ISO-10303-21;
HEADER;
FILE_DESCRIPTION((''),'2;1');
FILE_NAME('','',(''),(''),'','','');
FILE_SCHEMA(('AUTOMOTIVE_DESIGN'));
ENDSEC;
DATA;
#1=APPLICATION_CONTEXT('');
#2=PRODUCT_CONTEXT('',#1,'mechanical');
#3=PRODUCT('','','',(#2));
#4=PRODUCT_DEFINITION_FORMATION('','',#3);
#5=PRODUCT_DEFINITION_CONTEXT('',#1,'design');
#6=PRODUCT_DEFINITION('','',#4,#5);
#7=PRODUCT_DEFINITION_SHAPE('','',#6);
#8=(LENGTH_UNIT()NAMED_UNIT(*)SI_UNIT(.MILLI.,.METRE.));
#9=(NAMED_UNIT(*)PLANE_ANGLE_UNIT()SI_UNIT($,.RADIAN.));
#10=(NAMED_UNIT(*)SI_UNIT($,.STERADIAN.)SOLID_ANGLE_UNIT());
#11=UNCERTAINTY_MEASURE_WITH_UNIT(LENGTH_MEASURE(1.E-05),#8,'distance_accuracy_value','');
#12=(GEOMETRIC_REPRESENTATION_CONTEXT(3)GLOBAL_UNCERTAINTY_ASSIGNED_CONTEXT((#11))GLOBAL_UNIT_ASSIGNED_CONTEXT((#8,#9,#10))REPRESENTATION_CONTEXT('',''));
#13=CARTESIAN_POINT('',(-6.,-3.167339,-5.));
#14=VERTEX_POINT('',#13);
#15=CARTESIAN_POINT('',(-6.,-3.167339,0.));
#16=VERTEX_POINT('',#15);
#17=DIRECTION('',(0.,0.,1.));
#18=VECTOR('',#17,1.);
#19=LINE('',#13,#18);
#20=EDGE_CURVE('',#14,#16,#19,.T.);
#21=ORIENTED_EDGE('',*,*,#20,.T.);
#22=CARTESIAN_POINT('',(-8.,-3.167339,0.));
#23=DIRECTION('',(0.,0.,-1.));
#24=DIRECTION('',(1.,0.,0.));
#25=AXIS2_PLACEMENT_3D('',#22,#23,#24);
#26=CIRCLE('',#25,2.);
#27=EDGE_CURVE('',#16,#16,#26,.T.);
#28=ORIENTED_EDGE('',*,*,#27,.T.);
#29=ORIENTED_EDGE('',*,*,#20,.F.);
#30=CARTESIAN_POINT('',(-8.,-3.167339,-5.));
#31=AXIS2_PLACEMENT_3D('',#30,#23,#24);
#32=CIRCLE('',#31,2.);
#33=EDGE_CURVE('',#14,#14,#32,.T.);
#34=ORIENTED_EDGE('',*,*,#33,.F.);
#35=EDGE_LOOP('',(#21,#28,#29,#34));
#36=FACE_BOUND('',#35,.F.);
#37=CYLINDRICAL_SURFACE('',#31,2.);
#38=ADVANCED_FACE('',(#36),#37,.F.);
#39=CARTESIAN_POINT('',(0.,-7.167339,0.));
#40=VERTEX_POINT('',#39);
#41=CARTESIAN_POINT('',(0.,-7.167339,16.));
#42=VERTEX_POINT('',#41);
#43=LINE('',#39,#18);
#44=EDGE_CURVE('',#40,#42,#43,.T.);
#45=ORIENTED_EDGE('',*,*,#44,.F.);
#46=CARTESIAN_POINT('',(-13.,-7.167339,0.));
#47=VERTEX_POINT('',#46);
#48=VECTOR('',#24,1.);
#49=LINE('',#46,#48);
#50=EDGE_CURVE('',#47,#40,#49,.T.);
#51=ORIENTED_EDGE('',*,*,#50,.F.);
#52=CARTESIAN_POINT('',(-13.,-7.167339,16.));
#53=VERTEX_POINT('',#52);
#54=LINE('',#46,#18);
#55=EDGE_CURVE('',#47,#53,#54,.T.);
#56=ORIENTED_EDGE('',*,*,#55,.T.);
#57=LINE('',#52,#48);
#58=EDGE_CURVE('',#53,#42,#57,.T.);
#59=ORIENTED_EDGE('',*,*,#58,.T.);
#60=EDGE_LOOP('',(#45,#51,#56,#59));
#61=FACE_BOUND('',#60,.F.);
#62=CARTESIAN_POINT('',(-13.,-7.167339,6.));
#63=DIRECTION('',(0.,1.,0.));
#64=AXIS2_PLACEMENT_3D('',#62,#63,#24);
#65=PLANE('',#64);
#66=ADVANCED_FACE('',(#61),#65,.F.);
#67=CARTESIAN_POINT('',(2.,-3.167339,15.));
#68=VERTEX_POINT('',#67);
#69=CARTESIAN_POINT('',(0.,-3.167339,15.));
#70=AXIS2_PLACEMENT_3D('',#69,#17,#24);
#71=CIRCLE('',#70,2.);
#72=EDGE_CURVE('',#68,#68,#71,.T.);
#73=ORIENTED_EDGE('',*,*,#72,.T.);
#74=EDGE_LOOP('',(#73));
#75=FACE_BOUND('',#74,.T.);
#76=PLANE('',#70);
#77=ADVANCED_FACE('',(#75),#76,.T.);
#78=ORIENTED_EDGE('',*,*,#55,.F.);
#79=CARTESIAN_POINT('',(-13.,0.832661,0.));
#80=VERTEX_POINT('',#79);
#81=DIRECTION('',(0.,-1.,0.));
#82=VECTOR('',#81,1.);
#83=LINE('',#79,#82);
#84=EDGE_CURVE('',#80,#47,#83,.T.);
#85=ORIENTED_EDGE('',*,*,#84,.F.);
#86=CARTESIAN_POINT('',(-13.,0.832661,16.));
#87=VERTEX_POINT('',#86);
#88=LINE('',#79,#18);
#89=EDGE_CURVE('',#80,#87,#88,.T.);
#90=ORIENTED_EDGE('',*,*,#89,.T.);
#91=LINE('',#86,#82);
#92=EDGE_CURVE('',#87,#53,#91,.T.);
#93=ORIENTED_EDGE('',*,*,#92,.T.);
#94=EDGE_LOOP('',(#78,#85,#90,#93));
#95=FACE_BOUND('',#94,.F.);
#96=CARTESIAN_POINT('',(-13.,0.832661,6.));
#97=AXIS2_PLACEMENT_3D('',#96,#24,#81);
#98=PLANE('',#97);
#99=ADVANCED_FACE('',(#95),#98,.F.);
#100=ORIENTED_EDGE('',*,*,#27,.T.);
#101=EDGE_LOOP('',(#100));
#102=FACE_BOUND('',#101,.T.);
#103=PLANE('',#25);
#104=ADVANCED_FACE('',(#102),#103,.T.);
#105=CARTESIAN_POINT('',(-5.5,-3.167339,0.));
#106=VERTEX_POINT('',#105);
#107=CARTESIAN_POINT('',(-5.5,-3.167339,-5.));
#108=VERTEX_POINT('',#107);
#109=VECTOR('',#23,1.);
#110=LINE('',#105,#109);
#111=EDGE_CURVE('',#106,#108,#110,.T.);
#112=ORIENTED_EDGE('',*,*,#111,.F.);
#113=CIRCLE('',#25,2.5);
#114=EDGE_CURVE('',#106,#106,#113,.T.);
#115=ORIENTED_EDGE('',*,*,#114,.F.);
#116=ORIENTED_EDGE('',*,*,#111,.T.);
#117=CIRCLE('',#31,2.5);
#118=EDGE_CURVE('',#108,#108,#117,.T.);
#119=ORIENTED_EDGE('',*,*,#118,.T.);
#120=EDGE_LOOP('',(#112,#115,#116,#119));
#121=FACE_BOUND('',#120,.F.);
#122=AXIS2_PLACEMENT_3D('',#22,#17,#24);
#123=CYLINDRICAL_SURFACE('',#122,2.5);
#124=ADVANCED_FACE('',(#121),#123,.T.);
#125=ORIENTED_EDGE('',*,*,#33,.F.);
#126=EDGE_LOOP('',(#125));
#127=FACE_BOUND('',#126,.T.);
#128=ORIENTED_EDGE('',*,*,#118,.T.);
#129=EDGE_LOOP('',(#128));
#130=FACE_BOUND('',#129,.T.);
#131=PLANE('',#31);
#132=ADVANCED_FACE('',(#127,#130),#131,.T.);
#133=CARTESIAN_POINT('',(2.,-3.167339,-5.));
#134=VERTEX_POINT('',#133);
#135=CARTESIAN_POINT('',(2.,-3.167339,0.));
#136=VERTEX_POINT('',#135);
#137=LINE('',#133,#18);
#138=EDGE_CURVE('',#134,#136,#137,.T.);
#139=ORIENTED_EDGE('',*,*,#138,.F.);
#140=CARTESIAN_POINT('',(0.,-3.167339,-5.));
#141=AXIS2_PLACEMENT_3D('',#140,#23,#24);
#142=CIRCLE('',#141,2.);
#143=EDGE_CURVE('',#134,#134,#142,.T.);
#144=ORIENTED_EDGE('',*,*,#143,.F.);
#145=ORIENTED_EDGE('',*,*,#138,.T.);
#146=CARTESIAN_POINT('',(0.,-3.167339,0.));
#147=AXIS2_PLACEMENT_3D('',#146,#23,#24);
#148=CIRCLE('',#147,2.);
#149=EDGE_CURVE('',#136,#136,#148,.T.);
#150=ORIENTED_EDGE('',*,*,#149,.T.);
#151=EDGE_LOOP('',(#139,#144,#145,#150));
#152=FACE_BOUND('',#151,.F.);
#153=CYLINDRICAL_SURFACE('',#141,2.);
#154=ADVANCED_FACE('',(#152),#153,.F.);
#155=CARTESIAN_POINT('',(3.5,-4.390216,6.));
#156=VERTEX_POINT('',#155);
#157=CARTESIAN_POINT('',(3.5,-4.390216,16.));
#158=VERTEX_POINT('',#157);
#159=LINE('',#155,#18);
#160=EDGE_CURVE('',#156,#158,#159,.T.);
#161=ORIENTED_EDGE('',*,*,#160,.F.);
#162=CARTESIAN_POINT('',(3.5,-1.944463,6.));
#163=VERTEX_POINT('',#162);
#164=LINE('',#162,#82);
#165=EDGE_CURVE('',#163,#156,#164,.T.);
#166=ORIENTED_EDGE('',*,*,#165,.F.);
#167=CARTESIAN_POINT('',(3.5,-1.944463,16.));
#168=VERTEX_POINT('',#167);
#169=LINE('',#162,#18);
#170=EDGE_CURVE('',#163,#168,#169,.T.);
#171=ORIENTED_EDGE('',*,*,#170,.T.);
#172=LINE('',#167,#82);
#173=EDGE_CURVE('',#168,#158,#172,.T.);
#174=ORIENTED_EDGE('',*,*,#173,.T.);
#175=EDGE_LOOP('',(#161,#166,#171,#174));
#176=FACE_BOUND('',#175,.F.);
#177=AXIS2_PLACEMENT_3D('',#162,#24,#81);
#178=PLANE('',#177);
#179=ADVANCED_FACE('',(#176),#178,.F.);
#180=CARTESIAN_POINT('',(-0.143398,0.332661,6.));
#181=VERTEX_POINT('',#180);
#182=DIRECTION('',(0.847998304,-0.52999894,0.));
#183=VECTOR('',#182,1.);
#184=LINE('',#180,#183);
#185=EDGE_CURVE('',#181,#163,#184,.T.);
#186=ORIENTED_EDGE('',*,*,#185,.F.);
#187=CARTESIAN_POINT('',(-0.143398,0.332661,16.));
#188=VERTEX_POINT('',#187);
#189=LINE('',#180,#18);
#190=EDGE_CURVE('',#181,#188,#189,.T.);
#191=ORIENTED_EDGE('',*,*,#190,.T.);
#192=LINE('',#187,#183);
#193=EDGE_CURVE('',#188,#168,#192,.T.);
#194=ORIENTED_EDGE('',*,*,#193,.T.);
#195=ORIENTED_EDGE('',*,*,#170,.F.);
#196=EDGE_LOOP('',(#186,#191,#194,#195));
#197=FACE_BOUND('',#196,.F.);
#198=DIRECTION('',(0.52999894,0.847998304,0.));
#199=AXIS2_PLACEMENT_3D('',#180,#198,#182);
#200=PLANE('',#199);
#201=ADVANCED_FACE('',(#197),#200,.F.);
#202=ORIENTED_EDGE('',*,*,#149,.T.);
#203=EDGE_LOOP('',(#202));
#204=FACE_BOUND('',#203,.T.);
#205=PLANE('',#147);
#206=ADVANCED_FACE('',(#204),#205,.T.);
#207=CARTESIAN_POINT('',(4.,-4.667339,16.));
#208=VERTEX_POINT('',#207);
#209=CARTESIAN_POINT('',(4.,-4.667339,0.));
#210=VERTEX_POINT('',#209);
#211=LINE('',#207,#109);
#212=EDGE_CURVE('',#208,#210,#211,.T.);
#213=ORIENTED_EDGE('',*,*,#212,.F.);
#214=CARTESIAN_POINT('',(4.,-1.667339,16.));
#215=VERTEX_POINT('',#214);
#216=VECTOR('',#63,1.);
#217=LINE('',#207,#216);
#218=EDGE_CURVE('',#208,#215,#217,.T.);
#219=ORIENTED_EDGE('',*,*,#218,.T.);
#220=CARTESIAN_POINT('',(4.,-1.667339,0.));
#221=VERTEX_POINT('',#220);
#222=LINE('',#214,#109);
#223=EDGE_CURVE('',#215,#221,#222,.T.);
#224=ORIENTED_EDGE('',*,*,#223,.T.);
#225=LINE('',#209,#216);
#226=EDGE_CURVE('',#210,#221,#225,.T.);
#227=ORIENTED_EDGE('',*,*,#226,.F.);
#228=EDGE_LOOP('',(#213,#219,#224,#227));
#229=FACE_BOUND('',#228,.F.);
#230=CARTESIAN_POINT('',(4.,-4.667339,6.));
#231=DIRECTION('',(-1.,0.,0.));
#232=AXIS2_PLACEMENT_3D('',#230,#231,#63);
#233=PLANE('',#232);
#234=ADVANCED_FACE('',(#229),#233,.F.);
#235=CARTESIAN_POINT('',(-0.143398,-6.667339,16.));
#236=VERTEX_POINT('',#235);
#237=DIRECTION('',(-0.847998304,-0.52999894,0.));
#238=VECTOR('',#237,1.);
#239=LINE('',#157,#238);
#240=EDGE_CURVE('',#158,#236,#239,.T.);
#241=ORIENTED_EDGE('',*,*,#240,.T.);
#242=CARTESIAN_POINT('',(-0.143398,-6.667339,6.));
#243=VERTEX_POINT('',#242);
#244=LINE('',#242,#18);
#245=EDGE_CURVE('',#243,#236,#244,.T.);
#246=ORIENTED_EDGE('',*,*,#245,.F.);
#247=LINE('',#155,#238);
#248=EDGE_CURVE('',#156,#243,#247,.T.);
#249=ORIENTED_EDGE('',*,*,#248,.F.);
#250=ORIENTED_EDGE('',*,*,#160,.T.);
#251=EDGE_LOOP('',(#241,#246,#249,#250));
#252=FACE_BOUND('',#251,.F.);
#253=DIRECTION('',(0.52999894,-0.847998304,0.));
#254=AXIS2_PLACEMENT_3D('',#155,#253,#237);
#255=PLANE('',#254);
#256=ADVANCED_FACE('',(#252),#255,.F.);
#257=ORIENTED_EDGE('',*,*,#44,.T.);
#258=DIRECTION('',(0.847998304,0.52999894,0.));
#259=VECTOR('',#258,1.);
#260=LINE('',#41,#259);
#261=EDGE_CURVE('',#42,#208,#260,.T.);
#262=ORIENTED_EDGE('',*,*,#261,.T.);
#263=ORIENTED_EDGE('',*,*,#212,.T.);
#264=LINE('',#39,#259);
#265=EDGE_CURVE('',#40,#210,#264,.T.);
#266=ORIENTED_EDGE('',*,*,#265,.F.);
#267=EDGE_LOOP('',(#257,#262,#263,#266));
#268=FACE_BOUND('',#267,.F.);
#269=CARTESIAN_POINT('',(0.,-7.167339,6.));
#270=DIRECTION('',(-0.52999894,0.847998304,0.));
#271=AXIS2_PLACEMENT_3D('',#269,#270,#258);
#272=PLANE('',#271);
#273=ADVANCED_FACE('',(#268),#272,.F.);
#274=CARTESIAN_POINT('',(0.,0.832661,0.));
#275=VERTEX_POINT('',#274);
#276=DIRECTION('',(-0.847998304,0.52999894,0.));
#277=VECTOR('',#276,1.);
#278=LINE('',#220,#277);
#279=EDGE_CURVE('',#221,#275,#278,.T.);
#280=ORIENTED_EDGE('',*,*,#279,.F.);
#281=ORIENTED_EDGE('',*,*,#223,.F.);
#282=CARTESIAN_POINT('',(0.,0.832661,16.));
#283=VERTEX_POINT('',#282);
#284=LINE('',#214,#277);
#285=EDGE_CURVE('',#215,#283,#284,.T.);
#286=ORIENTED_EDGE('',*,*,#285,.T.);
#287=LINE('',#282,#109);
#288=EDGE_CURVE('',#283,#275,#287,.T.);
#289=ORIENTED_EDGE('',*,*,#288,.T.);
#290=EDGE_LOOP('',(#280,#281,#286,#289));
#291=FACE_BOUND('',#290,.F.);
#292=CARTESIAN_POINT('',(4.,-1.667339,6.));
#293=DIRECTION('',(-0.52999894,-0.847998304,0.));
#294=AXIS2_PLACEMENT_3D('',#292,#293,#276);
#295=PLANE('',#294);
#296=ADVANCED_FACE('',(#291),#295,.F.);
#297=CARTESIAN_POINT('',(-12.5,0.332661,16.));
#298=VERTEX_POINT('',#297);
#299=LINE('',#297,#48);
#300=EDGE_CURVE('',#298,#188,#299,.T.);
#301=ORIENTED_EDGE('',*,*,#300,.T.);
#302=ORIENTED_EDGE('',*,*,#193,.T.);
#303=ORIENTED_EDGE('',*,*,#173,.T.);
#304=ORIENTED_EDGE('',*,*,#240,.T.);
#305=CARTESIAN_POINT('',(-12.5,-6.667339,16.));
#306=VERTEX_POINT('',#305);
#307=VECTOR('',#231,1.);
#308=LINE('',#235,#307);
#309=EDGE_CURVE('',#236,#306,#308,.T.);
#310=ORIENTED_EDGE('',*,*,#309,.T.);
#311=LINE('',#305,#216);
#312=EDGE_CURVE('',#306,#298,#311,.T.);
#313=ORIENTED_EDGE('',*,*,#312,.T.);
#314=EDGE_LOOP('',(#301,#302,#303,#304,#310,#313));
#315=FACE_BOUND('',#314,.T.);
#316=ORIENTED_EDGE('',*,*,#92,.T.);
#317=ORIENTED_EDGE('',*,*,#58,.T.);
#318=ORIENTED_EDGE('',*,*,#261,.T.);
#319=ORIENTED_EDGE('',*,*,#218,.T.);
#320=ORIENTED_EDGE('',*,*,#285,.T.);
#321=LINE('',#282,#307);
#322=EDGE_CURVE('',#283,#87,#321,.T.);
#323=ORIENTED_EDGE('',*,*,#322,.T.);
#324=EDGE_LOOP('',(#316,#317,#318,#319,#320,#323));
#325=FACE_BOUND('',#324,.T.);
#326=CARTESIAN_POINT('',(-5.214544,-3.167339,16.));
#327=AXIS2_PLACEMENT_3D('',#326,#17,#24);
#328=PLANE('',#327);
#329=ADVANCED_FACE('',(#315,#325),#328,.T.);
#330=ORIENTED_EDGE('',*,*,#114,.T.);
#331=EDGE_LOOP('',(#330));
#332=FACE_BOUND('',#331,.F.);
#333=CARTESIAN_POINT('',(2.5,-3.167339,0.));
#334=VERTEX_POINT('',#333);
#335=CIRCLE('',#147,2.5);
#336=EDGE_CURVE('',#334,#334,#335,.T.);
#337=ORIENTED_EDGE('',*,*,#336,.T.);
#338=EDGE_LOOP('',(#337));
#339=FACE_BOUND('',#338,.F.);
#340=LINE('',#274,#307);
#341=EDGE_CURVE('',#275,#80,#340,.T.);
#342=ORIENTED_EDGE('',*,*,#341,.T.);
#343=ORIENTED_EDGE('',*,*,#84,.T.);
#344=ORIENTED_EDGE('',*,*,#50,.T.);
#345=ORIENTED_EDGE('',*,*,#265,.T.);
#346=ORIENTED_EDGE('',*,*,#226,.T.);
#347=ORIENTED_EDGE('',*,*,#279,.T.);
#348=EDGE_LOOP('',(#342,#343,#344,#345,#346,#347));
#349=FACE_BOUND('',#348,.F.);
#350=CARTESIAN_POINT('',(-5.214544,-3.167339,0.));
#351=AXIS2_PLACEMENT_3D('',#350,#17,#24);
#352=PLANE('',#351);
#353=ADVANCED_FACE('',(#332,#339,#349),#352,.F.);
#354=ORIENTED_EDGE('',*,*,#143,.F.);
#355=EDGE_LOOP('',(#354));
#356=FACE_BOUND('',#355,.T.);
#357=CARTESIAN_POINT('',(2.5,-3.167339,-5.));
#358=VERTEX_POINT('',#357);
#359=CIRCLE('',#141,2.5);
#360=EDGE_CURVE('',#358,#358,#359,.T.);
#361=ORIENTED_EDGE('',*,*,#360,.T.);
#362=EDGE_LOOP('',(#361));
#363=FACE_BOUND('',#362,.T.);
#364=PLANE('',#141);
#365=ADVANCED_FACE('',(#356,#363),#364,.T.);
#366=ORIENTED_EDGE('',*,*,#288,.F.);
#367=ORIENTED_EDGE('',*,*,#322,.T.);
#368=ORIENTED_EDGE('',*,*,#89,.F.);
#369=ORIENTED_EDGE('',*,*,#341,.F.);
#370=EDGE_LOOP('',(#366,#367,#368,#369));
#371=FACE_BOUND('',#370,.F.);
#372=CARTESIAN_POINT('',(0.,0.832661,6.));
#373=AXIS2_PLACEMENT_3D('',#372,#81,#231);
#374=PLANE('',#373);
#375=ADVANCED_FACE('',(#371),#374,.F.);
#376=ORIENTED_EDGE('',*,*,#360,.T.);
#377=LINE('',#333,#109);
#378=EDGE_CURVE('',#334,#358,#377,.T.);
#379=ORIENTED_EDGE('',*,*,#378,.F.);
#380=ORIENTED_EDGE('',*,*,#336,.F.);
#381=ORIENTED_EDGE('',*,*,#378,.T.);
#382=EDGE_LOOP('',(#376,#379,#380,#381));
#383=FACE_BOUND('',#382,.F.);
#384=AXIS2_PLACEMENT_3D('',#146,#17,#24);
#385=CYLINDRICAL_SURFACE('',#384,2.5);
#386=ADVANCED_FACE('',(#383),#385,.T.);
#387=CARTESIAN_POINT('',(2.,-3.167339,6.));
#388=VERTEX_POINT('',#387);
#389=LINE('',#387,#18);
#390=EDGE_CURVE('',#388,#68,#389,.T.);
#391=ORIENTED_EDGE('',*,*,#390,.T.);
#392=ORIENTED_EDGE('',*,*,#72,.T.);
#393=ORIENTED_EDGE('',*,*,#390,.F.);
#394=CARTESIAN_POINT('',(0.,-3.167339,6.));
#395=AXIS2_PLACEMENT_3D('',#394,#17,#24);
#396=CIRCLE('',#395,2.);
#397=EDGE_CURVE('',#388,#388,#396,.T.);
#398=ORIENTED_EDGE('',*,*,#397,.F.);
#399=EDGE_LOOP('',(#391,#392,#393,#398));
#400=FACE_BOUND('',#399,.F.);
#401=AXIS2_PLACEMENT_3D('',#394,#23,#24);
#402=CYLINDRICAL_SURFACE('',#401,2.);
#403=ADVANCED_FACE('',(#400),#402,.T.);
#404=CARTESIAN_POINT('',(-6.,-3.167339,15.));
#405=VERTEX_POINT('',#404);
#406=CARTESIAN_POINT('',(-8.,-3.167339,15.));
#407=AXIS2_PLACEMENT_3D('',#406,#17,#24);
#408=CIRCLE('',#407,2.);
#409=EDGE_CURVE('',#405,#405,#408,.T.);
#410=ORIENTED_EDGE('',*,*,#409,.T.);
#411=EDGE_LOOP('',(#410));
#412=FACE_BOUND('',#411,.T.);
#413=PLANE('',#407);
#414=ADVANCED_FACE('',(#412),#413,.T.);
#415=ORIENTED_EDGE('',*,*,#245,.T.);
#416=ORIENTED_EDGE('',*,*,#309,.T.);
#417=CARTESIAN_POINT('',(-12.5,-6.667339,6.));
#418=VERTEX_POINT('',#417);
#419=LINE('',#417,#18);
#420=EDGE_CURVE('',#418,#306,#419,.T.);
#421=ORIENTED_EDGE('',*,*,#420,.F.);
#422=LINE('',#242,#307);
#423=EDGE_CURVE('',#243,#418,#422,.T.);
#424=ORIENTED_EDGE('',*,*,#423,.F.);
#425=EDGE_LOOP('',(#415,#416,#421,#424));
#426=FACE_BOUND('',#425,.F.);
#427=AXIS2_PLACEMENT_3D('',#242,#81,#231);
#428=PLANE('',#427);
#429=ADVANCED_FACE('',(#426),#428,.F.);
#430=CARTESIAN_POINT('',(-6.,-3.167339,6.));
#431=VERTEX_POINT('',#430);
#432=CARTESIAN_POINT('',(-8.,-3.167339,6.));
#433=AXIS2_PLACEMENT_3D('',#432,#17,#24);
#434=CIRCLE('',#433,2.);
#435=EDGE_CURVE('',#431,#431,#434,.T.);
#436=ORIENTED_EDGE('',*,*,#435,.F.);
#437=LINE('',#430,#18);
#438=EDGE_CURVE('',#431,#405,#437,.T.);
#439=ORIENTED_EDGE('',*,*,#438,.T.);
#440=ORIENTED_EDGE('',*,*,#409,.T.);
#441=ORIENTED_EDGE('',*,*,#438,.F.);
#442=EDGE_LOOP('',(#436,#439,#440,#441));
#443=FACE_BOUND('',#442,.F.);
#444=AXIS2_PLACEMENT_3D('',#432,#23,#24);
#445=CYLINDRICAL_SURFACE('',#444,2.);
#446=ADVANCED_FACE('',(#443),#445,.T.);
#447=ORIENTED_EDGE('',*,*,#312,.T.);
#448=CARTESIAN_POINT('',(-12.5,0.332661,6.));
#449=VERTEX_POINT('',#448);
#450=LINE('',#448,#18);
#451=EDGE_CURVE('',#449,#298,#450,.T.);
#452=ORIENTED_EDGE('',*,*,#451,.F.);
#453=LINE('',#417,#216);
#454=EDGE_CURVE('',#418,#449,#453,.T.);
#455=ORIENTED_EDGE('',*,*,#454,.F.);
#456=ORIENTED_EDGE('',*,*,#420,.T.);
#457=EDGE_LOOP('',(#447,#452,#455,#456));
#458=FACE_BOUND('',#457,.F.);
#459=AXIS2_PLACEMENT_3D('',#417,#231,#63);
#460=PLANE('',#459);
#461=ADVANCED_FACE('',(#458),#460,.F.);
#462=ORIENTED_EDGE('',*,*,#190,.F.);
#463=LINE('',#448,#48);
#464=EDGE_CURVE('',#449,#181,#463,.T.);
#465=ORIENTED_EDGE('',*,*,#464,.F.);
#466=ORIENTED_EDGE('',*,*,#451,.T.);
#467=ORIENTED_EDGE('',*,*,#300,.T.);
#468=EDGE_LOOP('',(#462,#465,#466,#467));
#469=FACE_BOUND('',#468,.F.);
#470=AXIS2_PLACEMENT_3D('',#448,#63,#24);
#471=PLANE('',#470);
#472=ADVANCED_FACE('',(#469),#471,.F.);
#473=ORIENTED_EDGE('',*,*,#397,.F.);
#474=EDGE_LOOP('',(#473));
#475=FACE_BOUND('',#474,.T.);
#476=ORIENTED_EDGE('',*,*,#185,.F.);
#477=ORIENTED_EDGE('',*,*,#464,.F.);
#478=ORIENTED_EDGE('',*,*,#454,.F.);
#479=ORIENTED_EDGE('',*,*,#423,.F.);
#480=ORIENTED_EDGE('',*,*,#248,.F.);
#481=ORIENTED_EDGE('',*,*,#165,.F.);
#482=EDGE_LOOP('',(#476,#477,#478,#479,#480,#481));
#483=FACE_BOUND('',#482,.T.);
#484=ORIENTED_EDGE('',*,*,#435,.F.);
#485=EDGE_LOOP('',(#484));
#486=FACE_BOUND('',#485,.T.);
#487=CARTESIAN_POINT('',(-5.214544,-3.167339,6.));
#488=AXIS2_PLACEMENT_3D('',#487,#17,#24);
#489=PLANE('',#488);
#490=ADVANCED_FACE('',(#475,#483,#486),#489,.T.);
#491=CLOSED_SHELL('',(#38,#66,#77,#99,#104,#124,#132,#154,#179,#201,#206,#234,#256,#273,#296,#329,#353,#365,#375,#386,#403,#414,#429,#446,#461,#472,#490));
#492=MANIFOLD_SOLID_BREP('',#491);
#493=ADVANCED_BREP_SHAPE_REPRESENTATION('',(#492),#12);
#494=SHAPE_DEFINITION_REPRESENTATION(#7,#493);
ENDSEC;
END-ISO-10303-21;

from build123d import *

# Parameters (mm, degrees)
F1_DEPTH = 6
F3_DEPTH = 10
F4_R     = 2.5
F5_DEPTH = 5
F6_R     = 2
F7_DEPTH = 5
F8_R     = 2
F9_DEPTH = 9


with BuildPart() as f1:
    # F0 (on Top) → F1 (new body)
    with BuildSketch(Plane.XY):
        Polygon((-13, 0.832660675), (-13, -7.167339325), (0, -7.167339325), (4, -4.667339325), (4, -1.667339325), (0, 0.832660675), align=None)
    extrude(amount=F1_DEPTH)

    # F2 (on face) → F3 (join)
    with BuildSketch(Plane.XY.offset(6)):
        Polygon((0, 0.832660675), (-13, 0.832660675), (-13, -7.167339325), (0, -7.167339325), (4, -4.667339325), (4, -1.667339325), align=None)
        Polygon((-12.5, 0.332660675), (-0.1433981132, 0.332660675), (3.5, -1.9444631457), (3.5, -4.3902155042), (-0.1433981132, -6.667339325), (-12.5, -6.667339325), align=None, mode=Mode.SUBTRACT)
    extrude(amount=F3_DEPTH)

    # F4 (on face) → F5 (join)
    with BuildSketch(Plane(origin=(0, 0, 0), x_dir=(1, 0, 0), z_dir=(0, 0, -1))):
        with Locations((0, 3.167339325)):
            Circle(F4_R)
        with Locations((-8, 3.167339325)):
            Circle(F4_R)
    extrude(amount=F5_DEPTH)

    # F6 (on face) → F7 (cut)
    with BuildSketch(Plane(origin=(0, 0, -5), x_dir=(1, 0, 0), z_dir=(0, 0, -1))):
        with Locations((-8, 3.167339325)):
            Circle(F6_R)
        with Locations((0, 3.167339325)):
            Circle(F6_R)
    extrude(amount=-F7_DEPTH, mode=Mode.SUBTRACT)

    # F8 (on face) → F9 (join)
    with BuildSketch(Plane.XY.offset(6)):
        with Locations((-8, -3.167339325)):
            Circle(F8_R)
        with Locations((0, -3.167339325)):
            Circle(F8_R)
    extrude(amount=F9_DEPTH)


solid = f1.part
